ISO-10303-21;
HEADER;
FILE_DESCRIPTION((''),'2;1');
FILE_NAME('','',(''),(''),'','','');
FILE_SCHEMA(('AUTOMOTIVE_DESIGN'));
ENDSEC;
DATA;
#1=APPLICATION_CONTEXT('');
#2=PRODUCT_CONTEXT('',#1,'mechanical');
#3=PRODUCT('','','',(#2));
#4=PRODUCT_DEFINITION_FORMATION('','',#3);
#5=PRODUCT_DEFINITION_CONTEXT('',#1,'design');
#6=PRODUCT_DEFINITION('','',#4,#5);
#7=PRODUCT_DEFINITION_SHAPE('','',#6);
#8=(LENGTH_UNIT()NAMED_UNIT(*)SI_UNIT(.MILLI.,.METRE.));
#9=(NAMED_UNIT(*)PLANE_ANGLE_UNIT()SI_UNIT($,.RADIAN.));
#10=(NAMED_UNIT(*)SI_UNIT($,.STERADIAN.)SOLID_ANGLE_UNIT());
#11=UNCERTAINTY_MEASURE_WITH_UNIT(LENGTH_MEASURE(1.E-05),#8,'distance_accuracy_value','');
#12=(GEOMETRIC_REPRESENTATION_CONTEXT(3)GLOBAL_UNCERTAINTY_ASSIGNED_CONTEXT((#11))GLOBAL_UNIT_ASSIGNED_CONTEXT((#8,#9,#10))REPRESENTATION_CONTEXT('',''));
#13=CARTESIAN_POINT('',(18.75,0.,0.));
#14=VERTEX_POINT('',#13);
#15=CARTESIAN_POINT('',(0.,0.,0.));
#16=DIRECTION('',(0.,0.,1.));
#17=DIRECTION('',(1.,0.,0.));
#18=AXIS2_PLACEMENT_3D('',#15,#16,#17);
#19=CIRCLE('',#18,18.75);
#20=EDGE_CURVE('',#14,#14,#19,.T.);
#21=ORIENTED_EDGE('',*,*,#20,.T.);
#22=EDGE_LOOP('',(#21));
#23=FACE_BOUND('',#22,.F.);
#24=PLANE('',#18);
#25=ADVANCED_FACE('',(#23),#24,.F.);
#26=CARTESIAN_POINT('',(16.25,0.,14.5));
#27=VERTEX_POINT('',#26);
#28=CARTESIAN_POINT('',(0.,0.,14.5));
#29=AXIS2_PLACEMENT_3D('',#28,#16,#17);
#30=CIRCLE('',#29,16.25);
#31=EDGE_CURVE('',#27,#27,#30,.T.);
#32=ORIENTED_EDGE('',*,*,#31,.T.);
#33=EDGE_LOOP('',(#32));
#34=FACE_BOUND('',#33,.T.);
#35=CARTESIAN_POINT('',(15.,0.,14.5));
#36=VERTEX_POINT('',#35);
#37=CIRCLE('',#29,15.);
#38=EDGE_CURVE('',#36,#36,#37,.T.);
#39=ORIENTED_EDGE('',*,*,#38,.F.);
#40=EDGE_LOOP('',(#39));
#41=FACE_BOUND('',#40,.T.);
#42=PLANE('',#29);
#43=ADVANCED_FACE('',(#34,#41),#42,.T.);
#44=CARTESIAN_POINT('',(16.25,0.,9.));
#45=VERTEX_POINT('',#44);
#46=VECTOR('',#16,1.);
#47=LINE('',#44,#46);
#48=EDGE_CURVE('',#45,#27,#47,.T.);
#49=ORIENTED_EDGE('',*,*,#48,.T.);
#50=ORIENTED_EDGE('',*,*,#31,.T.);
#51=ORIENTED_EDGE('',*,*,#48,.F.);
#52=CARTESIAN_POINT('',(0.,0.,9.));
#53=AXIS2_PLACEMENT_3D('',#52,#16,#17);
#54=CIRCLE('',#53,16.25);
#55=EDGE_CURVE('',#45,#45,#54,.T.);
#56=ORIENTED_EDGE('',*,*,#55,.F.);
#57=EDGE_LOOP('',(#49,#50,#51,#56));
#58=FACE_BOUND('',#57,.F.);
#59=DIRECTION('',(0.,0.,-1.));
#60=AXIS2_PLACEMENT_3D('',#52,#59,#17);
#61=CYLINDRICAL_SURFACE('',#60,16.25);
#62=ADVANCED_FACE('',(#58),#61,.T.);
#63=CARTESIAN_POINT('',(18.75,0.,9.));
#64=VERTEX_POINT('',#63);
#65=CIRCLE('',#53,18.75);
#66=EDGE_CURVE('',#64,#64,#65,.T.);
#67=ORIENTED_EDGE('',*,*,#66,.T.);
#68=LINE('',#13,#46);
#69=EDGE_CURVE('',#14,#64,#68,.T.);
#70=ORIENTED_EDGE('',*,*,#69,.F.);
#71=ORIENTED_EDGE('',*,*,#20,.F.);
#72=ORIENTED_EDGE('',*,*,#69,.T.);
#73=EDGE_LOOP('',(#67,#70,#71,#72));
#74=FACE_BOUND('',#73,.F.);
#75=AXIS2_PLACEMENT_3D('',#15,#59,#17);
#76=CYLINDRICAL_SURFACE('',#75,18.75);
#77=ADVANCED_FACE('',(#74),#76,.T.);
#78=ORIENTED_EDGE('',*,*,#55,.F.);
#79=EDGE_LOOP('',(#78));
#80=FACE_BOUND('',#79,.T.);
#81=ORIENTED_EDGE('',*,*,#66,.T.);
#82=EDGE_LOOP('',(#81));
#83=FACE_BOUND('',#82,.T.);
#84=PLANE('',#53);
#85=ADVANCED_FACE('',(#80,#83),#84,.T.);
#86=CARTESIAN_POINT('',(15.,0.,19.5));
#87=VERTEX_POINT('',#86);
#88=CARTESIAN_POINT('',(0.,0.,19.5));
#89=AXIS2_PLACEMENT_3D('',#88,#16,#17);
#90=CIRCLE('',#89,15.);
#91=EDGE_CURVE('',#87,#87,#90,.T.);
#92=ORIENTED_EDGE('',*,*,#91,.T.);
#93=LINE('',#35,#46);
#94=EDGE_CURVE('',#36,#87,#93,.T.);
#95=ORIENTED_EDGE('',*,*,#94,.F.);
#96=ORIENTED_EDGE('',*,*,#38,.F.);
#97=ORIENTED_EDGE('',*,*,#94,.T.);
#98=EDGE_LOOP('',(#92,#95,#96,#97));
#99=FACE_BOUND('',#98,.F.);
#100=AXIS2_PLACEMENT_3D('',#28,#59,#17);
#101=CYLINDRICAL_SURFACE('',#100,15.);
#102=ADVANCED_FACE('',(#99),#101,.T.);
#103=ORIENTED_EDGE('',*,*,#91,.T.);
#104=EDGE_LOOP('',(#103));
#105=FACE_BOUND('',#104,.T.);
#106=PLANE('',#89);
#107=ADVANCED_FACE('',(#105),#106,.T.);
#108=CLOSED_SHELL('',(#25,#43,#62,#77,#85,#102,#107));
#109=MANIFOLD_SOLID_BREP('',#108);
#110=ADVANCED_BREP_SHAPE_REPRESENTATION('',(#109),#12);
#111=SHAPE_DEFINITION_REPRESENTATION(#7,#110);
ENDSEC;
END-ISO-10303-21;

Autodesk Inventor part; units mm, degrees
ref_plane "YZ Plane" through (0, 0, 0) normal (1, 0, 0) x (0, 1, 0)
ref_plane "XZ Plane" through (0, 0, 0) normal (0, 1, 0) x (-1, 0, 0)
ref_plane "XY Plane" through (0, 0, 0) normal (0, 0, 1) x (1, 0, 0)
sketch "Skizze1" plane through (0, 0, 0) normal (0, 0, 1) x (1, 0, 0)
  circle A0 centre (0, 0) radius 18.75
  dimension "d0" = 37.5
extrude "Extrusion1" add sketch "Skizze1" along normal blind 9
sketch "Skizze2" plane through (0, 0, 9) normal (0, 0, 1) x (1, 0, 0)
  circle A0 centre (0, 0) radius 16.25
  dimension "d3" = 32.5
extrude "Extrusion2" add sketch "Skizze2" along normal blind 5.5
sketch "Skizze3" plane through (0, 0, 14.5) normal (0, 0, 1) x (1, 0, 0)
  circle A0 centre (0, 0) radius 15
  dimension "d6" = 30
extrude "Extrusion3" add sketch "Skizze3" along normal blind 5
properties part number "02_Ring_1"
